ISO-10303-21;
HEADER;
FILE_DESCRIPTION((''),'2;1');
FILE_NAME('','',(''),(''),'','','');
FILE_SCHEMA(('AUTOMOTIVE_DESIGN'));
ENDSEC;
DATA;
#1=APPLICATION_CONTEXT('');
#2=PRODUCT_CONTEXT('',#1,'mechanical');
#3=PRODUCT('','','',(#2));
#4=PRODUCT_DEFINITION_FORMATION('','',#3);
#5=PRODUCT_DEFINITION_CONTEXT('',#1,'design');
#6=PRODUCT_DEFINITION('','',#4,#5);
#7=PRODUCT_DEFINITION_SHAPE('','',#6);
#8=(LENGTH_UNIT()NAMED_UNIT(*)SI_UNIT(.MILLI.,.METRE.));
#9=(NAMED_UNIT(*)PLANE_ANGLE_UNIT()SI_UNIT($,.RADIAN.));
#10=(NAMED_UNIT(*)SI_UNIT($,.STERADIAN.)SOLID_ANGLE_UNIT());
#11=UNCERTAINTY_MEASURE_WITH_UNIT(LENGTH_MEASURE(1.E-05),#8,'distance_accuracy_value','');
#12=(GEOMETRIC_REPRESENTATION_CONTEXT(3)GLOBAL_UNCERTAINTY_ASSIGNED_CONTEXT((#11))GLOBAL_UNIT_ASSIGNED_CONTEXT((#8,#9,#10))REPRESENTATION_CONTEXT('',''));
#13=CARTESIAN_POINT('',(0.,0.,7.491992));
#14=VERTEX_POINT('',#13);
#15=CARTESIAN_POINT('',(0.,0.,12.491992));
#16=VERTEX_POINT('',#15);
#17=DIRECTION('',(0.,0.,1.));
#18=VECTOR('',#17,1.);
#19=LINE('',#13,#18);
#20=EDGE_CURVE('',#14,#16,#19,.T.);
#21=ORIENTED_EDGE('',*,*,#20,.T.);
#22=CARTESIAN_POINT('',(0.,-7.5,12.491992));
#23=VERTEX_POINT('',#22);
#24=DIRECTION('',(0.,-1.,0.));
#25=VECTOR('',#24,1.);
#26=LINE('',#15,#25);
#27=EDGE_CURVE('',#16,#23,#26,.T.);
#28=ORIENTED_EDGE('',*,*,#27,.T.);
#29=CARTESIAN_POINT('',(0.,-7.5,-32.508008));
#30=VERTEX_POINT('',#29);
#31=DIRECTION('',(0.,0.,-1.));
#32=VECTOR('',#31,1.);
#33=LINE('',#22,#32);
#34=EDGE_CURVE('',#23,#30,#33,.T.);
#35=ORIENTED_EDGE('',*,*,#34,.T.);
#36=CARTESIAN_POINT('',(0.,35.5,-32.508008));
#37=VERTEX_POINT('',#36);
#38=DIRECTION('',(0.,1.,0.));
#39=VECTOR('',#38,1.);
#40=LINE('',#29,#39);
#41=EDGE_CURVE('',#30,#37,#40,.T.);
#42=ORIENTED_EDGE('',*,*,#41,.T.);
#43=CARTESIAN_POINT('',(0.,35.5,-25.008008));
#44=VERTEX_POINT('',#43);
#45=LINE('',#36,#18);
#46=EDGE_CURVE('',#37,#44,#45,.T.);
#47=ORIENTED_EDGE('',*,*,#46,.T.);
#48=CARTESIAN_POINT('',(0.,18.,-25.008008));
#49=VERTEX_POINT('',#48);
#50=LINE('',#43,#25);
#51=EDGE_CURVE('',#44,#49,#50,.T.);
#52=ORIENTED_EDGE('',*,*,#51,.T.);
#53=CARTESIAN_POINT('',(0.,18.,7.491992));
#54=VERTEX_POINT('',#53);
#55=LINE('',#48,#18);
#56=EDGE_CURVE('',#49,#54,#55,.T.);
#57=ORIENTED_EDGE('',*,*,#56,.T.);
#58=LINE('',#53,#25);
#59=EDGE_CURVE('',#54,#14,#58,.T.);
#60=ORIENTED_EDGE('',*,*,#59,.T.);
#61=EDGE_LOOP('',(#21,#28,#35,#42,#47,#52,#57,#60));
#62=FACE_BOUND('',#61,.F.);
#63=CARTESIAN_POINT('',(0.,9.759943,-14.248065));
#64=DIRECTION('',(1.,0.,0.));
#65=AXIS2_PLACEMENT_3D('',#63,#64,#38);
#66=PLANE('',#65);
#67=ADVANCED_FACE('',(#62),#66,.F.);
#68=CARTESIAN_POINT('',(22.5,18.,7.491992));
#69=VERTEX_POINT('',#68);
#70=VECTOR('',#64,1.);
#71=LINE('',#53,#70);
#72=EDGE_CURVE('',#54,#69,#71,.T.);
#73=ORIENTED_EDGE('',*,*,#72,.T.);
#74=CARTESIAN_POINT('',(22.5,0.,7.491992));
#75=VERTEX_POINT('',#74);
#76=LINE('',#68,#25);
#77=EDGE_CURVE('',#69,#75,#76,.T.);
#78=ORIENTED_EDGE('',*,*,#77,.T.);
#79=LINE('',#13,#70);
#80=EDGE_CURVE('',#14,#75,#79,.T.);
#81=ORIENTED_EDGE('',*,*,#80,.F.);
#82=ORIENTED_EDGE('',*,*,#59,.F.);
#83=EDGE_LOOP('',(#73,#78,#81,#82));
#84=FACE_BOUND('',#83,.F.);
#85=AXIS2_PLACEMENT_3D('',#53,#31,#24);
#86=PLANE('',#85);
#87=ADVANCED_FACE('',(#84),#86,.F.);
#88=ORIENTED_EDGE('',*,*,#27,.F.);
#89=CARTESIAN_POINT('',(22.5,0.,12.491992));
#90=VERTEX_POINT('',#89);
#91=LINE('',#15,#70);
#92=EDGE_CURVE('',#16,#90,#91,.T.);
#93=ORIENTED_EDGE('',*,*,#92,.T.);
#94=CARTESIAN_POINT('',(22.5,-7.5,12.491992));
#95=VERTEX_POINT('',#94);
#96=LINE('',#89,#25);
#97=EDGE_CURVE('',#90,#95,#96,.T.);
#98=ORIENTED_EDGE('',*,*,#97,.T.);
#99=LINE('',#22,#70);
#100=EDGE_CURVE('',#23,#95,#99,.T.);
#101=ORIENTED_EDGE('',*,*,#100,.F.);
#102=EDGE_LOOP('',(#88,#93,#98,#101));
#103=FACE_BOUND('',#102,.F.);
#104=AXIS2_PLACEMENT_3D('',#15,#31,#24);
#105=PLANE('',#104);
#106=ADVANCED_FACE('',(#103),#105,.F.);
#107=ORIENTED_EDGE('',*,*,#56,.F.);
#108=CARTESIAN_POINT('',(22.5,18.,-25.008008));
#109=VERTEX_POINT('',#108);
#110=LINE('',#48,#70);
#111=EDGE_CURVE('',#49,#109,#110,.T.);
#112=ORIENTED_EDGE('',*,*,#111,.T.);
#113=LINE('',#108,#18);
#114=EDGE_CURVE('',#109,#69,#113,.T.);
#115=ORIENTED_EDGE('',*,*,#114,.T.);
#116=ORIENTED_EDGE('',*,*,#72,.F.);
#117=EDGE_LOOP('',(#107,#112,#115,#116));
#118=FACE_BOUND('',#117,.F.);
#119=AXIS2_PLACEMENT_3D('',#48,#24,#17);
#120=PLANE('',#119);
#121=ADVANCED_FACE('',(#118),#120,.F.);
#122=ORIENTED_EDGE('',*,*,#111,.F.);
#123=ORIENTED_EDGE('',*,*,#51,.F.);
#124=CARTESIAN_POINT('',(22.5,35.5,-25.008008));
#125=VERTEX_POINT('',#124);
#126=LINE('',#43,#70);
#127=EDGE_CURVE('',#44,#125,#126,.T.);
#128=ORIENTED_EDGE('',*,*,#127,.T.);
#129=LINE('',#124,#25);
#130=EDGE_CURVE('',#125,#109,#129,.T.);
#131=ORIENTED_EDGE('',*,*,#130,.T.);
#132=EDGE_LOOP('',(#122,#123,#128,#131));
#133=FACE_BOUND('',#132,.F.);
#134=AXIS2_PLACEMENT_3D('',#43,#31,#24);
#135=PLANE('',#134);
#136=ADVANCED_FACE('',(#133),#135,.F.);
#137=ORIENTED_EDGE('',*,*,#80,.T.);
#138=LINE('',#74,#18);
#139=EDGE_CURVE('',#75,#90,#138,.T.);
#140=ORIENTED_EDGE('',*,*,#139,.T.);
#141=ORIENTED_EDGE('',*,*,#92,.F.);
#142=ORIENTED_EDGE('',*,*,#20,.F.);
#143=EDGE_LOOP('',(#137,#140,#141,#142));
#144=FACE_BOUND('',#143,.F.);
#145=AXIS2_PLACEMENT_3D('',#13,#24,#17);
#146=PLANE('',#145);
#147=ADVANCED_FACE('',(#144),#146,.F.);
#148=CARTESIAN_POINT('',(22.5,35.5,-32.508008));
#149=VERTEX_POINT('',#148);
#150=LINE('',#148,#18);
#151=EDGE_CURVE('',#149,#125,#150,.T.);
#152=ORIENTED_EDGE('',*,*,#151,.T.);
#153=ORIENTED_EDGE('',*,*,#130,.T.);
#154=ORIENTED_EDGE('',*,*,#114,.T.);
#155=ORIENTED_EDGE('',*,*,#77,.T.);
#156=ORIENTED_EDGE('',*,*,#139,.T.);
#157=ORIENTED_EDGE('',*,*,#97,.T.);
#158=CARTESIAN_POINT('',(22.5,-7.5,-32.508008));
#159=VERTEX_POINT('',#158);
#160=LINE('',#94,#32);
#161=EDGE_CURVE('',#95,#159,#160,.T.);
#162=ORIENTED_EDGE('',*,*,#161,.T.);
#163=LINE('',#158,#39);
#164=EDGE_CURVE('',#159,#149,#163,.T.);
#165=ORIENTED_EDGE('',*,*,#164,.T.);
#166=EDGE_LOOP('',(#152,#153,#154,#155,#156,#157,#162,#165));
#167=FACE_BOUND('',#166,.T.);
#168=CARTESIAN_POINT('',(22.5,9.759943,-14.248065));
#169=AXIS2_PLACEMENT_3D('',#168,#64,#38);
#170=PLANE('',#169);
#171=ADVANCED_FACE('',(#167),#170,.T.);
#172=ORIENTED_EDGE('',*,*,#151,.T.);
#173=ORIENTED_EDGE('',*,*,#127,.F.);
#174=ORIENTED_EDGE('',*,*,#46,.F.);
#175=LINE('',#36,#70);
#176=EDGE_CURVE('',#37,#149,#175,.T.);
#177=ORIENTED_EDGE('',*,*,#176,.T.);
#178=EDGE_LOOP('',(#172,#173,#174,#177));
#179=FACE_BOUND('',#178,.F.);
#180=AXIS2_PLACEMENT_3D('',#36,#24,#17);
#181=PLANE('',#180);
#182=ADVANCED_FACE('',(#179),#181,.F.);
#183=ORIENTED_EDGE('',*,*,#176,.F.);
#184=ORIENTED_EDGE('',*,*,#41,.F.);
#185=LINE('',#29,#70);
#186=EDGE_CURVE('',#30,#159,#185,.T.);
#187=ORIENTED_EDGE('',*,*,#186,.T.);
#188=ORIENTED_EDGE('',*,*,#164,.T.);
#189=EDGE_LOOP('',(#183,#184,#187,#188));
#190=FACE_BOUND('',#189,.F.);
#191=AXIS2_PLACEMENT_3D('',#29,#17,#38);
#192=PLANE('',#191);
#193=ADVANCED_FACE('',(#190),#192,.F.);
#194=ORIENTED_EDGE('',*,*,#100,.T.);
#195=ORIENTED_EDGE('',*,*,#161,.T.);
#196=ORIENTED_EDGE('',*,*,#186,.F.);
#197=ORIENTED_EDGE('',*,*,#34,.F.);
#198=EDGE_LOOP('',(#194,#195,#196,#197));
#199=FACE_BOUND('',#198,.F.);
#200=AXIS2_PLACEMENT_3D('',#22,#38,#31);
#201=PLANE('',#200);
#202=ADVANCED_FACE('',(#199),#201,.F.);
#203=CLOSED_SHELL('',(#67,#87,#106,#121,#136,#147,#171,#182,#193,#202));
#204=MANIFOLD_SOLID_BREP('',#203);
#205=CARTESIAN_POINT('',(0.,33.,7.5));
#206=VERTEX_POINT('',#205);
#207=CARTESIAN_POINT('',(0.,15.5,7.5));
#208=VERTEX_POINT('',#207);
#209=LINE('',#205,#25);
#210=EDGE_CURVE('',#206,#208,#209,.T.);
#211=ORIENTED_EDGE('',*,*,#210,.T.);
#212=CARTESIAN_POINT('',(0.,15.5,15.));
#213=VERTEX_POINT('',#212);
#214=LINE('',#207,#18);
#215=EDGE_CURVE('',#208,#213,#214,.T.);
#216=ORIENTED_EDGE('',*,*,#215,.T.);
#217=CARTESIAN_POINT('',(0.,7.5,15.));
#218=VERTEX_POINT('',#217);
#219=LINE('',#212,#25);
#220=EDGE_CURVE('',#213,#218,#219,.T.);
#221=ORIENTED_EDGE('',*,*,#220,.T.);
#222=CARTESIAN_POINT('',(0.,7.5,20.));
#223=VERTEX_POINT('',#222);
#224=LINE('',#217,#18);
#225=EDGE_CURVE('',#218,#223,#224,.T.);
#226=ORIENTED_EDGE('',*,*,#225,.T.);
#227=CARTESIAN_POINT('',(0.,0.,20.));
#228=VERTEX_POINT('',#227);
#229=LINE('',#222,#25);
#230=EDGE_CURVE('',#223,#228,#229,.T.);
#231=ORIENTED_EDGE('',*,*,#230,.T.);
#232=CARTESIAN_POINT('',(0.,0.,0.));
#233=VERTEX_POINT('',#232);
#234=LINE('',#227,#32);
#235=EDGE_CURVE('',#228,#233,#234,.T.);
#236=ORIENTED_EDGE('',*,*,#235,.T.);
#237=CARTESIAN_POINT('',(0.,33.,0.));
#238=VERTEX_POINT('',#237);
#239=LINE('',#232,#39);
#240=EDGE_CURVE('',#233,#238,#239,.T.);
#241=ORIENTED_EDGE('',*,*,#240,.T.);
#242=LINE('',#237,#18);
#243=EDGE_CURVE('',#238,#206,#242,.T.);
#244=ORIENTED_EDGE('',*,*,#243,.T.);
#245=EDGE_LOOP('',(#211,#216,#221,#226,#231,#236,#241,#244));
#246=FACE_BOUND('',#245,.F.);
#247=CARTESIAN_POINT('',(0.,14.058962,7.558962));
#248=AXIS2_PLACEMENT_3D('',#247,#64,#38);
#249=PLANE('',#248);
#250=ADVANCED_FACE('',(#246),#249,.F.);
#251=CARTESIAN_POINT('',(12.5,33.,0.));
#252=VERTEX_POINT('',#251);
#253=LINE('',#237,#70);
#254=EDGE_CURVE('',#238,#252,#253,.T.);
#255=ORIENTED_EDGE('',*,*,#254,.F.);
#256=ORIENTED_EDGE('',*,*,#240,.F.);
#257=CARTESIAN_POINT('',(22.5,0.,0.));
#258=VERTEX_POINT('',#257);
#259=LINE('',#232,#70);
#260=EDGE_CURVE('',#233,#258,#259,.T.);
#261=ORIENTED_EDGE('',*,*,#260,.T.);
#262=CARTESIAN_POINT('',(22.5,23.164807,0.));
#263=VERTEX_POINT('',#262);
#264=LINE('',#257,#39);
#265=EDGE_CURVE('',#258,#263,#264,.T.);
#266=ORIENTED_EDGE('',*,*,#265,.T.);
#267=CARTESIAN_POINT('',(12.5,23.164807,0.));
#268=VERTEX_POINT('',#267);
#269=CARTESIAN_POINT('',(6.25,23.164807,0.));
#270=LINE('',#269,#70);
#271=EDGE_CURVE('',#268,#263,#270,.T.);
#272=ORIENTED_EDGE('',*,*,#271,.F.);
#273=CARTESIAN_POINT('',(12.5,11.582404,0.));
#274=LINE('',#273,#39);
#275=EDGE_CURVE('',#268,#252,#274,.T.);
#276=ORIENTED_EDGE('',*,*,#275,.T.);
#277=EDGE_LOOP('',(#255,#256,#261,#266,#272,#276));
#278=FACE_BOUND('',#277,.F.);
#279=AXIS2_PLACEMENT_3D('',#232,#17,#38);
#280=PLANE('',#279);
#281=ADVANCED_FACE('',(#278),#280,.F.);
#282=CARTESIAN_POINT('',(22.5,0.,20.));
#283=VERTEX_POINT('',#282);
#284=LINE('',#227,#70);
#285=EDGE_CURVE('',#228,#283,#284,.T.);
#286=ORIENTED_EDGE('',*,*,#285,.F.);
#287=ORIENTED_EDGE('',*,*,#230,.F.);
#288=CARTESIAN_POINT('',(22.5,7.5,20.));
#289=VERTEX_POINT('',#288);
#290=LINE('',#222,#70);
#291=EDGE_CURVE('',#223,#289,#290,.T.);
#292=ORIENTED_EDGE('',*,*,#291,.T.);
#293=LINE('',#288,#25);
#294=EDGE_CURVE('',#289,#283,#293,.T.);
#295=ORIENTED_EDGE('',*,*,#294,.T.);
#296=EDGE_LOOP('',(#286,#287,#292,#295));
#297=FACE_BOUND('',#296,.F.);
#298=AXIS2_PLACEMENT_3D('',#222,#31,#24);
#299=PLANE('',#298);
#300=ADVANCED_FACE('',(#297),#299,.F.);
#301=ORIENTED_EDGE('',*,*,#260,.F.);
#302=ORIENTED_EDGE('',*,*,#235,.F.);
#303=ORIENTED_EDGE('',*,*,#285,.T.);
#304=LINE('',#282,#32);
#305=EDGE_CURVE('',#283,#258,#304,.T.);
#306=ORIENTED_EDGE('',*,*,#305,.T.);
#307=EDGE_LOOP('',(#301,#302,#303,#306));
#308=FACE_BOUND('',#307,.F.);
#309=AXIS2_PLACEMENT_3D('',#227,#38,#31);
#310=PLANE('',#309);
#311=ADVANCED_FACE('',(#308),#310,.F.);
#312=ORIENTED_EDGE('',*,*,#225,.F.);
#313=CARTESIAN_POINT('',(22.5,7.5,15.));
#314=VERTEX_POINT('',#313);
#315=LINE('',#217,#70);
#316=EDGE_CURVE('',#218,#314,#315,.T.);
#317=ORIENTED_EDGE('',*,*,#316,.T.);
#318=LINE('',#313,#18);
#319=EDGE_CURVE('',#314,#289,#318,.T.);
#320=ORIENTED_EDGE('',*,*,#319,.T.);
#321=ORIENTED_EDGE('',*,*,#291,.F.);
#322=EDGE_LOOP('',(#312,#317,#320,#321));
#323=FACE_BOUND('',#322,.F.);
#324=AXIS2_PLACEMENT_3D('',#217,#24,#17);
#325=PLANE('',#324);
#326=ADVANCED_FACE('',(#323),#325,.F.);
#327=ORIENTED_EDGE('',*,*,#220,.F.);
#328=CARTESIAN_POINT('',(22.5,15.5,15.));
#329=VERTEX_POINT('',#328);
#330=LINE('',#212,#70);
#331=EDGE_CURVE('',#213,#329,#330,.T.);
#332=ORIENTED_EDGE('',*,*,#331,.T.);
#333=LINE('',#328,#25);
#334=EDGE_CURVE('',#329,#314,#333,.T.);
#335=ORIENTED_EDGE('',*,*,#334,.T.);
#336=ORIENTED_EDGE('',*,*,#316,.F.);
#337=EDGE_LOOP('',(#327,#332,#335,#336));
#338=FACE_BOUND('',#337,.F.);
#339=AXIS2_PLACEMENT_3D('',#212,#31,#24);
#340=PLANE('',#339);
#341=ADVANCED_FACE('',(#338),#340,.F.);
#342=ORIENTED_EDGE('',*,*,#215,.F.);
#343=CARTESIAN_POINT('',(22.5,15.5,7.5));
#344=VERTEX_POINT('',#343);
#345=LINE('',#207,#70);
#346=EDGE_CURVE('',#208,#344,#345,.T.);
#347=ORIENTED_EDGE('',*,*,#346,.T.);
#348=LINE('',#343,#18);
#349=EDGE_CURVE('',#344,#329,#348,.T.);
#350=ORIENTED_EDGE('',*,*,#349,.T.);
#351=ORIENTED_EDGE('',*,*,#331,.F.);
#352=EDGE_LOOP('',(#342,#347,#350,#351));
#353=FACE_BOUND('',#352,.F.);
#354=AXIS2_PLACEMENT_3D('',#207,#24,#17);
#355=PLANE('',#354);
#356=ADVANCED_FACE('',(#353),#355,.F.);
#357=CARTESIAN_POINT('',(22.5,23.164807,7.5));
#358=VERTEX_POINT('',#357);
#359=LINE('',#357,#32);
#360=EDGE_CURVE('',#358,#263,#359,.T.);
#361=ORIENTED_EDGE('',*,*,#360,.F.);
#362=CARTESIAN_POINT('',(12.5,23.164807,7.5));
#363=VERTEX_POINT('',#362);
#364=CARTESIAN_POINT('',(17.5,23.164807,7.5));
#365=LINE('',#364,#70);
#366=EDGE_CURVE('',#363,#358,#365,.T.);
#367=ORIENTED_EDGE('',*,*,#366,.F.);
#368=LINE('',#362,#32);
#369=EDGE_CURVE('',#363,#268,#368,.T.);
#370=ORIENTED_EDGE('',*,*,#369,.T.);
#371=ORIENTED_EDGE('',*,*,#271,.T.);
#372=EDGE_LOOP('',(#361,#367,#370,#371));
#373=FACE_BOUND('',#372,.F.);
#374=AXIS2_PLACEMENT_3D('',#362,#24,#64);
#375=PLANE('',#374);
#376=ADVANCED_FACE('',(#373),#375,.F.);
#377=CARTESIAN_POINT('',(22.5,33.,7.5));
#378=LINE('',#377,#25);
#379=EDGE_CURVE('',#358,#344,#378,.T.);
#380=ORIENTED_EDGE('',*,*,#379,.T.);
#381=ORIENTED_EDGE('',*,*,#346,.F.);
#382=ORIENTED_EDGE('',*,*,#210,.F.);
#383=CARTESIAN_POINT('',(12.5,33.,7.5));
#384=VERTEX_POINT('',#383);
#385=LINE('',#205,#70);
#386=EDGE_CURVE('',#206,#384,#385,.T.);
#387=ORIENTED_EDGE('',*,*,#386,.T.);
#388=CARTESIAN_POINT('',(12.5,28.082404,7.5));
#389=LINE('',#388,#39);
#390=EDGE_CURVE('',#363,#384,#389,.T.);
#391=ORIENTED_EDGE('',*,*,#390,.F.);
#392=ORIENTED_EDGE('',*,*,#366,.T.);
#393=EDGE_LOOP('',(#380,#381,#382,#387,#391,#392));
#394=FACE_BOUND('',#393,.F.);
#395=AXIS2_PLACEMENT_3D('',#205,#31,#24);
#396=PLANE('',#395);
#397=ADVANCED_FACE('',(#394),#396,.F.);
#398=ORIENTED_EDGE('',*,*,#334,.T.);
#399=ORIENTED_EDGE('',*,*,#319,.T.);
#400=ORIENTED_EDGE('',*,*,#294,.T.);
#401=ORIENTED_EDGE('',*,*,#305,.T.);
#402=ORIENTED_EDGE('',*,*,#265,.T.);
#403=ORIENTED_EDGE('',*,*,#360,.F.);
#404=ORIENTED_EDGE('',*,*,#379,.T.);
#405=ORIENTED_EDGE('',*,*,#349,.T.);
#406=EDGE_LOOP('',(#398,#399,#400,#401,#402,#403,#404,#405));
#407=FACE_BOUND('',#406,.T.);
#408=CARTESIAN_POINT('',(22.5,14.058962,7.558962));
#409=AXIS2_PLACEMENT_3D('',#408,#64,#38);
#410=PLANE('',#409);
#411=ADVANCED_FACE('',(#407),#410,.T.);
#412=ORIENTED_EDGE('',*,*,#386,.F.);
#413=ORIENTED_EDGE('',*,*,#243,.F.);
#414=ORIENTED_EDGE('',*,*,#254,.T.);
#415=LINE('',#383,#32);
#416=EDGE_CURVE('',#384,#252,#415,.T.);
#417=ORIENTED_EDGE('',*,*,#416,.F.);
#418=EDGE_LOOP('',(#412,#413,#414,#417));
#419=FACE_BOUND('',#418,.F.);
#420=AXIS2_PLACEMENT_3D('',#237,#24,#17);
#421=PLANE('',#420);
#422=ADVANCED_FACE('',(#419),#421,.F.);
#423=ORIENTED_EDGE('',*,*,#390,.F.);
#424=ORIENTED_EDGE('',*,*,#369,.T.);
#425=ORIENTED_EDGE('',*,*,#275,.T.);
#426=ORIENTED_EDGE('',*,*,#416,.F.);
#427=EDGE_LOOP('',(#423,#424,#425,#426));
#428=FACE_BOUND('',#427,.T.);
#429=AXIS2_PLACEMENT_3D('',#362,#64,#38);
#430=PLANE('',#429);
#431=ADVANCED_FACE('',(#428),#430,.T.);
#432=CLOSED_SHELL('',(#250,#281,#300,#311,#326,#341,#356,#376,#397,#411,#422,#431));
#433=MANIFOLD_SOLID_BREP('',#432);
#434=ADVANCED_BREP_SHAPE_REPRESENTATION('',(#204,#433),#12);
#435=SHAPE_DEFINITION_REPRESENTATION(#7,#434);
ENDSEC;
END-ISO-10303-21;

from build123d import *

# Parameters (mm, degrees)
F1_DEPTH = 22.5
F2_W     = 10
F2_H     = 9.8351926783
F3_DEPTH = 25
F5_DEPTH = 22.5


with BuildPart() as f1:
    # F0 (on Right) → F1 (new body)
    with BuildSketch(Plane.YZ):
        Polygon((0, 20), (0, 0), (33, 0), (33, 7.5), (15.5, 7.5), (15.5, 15), (7.5, 15), (7.5, 20), align=None)
    extrude(amount=F1_DEPTH)

    # F2 (on face) → F3 (cut)
    with BuildSketch(Plane.XY.offset(7.5)):
        with Locations((17.5, 28.0824036609)):
            Rectangle(F2_W, F2_H)
    extrude(amount=-F3_DEPTH, mode=Mode.SUBTRACT)


with BuildPart() as f5:
    # F4 (on Right) → F5 (new body)
    with BuildSketch(Plane.YZ):
        Polygon((-7.5, 12.491991818), (-7.5, -32.508008182), (35.5, -32.508008182), (35.5, -25.008008182), (18, -25.008008182), (18, 7.491991818), (0, 7.491991818), (0, 12.491991818), align=None)
    extrude(amount=F5_DEPTH)


solid = Compound([f1.part, f5.part])
